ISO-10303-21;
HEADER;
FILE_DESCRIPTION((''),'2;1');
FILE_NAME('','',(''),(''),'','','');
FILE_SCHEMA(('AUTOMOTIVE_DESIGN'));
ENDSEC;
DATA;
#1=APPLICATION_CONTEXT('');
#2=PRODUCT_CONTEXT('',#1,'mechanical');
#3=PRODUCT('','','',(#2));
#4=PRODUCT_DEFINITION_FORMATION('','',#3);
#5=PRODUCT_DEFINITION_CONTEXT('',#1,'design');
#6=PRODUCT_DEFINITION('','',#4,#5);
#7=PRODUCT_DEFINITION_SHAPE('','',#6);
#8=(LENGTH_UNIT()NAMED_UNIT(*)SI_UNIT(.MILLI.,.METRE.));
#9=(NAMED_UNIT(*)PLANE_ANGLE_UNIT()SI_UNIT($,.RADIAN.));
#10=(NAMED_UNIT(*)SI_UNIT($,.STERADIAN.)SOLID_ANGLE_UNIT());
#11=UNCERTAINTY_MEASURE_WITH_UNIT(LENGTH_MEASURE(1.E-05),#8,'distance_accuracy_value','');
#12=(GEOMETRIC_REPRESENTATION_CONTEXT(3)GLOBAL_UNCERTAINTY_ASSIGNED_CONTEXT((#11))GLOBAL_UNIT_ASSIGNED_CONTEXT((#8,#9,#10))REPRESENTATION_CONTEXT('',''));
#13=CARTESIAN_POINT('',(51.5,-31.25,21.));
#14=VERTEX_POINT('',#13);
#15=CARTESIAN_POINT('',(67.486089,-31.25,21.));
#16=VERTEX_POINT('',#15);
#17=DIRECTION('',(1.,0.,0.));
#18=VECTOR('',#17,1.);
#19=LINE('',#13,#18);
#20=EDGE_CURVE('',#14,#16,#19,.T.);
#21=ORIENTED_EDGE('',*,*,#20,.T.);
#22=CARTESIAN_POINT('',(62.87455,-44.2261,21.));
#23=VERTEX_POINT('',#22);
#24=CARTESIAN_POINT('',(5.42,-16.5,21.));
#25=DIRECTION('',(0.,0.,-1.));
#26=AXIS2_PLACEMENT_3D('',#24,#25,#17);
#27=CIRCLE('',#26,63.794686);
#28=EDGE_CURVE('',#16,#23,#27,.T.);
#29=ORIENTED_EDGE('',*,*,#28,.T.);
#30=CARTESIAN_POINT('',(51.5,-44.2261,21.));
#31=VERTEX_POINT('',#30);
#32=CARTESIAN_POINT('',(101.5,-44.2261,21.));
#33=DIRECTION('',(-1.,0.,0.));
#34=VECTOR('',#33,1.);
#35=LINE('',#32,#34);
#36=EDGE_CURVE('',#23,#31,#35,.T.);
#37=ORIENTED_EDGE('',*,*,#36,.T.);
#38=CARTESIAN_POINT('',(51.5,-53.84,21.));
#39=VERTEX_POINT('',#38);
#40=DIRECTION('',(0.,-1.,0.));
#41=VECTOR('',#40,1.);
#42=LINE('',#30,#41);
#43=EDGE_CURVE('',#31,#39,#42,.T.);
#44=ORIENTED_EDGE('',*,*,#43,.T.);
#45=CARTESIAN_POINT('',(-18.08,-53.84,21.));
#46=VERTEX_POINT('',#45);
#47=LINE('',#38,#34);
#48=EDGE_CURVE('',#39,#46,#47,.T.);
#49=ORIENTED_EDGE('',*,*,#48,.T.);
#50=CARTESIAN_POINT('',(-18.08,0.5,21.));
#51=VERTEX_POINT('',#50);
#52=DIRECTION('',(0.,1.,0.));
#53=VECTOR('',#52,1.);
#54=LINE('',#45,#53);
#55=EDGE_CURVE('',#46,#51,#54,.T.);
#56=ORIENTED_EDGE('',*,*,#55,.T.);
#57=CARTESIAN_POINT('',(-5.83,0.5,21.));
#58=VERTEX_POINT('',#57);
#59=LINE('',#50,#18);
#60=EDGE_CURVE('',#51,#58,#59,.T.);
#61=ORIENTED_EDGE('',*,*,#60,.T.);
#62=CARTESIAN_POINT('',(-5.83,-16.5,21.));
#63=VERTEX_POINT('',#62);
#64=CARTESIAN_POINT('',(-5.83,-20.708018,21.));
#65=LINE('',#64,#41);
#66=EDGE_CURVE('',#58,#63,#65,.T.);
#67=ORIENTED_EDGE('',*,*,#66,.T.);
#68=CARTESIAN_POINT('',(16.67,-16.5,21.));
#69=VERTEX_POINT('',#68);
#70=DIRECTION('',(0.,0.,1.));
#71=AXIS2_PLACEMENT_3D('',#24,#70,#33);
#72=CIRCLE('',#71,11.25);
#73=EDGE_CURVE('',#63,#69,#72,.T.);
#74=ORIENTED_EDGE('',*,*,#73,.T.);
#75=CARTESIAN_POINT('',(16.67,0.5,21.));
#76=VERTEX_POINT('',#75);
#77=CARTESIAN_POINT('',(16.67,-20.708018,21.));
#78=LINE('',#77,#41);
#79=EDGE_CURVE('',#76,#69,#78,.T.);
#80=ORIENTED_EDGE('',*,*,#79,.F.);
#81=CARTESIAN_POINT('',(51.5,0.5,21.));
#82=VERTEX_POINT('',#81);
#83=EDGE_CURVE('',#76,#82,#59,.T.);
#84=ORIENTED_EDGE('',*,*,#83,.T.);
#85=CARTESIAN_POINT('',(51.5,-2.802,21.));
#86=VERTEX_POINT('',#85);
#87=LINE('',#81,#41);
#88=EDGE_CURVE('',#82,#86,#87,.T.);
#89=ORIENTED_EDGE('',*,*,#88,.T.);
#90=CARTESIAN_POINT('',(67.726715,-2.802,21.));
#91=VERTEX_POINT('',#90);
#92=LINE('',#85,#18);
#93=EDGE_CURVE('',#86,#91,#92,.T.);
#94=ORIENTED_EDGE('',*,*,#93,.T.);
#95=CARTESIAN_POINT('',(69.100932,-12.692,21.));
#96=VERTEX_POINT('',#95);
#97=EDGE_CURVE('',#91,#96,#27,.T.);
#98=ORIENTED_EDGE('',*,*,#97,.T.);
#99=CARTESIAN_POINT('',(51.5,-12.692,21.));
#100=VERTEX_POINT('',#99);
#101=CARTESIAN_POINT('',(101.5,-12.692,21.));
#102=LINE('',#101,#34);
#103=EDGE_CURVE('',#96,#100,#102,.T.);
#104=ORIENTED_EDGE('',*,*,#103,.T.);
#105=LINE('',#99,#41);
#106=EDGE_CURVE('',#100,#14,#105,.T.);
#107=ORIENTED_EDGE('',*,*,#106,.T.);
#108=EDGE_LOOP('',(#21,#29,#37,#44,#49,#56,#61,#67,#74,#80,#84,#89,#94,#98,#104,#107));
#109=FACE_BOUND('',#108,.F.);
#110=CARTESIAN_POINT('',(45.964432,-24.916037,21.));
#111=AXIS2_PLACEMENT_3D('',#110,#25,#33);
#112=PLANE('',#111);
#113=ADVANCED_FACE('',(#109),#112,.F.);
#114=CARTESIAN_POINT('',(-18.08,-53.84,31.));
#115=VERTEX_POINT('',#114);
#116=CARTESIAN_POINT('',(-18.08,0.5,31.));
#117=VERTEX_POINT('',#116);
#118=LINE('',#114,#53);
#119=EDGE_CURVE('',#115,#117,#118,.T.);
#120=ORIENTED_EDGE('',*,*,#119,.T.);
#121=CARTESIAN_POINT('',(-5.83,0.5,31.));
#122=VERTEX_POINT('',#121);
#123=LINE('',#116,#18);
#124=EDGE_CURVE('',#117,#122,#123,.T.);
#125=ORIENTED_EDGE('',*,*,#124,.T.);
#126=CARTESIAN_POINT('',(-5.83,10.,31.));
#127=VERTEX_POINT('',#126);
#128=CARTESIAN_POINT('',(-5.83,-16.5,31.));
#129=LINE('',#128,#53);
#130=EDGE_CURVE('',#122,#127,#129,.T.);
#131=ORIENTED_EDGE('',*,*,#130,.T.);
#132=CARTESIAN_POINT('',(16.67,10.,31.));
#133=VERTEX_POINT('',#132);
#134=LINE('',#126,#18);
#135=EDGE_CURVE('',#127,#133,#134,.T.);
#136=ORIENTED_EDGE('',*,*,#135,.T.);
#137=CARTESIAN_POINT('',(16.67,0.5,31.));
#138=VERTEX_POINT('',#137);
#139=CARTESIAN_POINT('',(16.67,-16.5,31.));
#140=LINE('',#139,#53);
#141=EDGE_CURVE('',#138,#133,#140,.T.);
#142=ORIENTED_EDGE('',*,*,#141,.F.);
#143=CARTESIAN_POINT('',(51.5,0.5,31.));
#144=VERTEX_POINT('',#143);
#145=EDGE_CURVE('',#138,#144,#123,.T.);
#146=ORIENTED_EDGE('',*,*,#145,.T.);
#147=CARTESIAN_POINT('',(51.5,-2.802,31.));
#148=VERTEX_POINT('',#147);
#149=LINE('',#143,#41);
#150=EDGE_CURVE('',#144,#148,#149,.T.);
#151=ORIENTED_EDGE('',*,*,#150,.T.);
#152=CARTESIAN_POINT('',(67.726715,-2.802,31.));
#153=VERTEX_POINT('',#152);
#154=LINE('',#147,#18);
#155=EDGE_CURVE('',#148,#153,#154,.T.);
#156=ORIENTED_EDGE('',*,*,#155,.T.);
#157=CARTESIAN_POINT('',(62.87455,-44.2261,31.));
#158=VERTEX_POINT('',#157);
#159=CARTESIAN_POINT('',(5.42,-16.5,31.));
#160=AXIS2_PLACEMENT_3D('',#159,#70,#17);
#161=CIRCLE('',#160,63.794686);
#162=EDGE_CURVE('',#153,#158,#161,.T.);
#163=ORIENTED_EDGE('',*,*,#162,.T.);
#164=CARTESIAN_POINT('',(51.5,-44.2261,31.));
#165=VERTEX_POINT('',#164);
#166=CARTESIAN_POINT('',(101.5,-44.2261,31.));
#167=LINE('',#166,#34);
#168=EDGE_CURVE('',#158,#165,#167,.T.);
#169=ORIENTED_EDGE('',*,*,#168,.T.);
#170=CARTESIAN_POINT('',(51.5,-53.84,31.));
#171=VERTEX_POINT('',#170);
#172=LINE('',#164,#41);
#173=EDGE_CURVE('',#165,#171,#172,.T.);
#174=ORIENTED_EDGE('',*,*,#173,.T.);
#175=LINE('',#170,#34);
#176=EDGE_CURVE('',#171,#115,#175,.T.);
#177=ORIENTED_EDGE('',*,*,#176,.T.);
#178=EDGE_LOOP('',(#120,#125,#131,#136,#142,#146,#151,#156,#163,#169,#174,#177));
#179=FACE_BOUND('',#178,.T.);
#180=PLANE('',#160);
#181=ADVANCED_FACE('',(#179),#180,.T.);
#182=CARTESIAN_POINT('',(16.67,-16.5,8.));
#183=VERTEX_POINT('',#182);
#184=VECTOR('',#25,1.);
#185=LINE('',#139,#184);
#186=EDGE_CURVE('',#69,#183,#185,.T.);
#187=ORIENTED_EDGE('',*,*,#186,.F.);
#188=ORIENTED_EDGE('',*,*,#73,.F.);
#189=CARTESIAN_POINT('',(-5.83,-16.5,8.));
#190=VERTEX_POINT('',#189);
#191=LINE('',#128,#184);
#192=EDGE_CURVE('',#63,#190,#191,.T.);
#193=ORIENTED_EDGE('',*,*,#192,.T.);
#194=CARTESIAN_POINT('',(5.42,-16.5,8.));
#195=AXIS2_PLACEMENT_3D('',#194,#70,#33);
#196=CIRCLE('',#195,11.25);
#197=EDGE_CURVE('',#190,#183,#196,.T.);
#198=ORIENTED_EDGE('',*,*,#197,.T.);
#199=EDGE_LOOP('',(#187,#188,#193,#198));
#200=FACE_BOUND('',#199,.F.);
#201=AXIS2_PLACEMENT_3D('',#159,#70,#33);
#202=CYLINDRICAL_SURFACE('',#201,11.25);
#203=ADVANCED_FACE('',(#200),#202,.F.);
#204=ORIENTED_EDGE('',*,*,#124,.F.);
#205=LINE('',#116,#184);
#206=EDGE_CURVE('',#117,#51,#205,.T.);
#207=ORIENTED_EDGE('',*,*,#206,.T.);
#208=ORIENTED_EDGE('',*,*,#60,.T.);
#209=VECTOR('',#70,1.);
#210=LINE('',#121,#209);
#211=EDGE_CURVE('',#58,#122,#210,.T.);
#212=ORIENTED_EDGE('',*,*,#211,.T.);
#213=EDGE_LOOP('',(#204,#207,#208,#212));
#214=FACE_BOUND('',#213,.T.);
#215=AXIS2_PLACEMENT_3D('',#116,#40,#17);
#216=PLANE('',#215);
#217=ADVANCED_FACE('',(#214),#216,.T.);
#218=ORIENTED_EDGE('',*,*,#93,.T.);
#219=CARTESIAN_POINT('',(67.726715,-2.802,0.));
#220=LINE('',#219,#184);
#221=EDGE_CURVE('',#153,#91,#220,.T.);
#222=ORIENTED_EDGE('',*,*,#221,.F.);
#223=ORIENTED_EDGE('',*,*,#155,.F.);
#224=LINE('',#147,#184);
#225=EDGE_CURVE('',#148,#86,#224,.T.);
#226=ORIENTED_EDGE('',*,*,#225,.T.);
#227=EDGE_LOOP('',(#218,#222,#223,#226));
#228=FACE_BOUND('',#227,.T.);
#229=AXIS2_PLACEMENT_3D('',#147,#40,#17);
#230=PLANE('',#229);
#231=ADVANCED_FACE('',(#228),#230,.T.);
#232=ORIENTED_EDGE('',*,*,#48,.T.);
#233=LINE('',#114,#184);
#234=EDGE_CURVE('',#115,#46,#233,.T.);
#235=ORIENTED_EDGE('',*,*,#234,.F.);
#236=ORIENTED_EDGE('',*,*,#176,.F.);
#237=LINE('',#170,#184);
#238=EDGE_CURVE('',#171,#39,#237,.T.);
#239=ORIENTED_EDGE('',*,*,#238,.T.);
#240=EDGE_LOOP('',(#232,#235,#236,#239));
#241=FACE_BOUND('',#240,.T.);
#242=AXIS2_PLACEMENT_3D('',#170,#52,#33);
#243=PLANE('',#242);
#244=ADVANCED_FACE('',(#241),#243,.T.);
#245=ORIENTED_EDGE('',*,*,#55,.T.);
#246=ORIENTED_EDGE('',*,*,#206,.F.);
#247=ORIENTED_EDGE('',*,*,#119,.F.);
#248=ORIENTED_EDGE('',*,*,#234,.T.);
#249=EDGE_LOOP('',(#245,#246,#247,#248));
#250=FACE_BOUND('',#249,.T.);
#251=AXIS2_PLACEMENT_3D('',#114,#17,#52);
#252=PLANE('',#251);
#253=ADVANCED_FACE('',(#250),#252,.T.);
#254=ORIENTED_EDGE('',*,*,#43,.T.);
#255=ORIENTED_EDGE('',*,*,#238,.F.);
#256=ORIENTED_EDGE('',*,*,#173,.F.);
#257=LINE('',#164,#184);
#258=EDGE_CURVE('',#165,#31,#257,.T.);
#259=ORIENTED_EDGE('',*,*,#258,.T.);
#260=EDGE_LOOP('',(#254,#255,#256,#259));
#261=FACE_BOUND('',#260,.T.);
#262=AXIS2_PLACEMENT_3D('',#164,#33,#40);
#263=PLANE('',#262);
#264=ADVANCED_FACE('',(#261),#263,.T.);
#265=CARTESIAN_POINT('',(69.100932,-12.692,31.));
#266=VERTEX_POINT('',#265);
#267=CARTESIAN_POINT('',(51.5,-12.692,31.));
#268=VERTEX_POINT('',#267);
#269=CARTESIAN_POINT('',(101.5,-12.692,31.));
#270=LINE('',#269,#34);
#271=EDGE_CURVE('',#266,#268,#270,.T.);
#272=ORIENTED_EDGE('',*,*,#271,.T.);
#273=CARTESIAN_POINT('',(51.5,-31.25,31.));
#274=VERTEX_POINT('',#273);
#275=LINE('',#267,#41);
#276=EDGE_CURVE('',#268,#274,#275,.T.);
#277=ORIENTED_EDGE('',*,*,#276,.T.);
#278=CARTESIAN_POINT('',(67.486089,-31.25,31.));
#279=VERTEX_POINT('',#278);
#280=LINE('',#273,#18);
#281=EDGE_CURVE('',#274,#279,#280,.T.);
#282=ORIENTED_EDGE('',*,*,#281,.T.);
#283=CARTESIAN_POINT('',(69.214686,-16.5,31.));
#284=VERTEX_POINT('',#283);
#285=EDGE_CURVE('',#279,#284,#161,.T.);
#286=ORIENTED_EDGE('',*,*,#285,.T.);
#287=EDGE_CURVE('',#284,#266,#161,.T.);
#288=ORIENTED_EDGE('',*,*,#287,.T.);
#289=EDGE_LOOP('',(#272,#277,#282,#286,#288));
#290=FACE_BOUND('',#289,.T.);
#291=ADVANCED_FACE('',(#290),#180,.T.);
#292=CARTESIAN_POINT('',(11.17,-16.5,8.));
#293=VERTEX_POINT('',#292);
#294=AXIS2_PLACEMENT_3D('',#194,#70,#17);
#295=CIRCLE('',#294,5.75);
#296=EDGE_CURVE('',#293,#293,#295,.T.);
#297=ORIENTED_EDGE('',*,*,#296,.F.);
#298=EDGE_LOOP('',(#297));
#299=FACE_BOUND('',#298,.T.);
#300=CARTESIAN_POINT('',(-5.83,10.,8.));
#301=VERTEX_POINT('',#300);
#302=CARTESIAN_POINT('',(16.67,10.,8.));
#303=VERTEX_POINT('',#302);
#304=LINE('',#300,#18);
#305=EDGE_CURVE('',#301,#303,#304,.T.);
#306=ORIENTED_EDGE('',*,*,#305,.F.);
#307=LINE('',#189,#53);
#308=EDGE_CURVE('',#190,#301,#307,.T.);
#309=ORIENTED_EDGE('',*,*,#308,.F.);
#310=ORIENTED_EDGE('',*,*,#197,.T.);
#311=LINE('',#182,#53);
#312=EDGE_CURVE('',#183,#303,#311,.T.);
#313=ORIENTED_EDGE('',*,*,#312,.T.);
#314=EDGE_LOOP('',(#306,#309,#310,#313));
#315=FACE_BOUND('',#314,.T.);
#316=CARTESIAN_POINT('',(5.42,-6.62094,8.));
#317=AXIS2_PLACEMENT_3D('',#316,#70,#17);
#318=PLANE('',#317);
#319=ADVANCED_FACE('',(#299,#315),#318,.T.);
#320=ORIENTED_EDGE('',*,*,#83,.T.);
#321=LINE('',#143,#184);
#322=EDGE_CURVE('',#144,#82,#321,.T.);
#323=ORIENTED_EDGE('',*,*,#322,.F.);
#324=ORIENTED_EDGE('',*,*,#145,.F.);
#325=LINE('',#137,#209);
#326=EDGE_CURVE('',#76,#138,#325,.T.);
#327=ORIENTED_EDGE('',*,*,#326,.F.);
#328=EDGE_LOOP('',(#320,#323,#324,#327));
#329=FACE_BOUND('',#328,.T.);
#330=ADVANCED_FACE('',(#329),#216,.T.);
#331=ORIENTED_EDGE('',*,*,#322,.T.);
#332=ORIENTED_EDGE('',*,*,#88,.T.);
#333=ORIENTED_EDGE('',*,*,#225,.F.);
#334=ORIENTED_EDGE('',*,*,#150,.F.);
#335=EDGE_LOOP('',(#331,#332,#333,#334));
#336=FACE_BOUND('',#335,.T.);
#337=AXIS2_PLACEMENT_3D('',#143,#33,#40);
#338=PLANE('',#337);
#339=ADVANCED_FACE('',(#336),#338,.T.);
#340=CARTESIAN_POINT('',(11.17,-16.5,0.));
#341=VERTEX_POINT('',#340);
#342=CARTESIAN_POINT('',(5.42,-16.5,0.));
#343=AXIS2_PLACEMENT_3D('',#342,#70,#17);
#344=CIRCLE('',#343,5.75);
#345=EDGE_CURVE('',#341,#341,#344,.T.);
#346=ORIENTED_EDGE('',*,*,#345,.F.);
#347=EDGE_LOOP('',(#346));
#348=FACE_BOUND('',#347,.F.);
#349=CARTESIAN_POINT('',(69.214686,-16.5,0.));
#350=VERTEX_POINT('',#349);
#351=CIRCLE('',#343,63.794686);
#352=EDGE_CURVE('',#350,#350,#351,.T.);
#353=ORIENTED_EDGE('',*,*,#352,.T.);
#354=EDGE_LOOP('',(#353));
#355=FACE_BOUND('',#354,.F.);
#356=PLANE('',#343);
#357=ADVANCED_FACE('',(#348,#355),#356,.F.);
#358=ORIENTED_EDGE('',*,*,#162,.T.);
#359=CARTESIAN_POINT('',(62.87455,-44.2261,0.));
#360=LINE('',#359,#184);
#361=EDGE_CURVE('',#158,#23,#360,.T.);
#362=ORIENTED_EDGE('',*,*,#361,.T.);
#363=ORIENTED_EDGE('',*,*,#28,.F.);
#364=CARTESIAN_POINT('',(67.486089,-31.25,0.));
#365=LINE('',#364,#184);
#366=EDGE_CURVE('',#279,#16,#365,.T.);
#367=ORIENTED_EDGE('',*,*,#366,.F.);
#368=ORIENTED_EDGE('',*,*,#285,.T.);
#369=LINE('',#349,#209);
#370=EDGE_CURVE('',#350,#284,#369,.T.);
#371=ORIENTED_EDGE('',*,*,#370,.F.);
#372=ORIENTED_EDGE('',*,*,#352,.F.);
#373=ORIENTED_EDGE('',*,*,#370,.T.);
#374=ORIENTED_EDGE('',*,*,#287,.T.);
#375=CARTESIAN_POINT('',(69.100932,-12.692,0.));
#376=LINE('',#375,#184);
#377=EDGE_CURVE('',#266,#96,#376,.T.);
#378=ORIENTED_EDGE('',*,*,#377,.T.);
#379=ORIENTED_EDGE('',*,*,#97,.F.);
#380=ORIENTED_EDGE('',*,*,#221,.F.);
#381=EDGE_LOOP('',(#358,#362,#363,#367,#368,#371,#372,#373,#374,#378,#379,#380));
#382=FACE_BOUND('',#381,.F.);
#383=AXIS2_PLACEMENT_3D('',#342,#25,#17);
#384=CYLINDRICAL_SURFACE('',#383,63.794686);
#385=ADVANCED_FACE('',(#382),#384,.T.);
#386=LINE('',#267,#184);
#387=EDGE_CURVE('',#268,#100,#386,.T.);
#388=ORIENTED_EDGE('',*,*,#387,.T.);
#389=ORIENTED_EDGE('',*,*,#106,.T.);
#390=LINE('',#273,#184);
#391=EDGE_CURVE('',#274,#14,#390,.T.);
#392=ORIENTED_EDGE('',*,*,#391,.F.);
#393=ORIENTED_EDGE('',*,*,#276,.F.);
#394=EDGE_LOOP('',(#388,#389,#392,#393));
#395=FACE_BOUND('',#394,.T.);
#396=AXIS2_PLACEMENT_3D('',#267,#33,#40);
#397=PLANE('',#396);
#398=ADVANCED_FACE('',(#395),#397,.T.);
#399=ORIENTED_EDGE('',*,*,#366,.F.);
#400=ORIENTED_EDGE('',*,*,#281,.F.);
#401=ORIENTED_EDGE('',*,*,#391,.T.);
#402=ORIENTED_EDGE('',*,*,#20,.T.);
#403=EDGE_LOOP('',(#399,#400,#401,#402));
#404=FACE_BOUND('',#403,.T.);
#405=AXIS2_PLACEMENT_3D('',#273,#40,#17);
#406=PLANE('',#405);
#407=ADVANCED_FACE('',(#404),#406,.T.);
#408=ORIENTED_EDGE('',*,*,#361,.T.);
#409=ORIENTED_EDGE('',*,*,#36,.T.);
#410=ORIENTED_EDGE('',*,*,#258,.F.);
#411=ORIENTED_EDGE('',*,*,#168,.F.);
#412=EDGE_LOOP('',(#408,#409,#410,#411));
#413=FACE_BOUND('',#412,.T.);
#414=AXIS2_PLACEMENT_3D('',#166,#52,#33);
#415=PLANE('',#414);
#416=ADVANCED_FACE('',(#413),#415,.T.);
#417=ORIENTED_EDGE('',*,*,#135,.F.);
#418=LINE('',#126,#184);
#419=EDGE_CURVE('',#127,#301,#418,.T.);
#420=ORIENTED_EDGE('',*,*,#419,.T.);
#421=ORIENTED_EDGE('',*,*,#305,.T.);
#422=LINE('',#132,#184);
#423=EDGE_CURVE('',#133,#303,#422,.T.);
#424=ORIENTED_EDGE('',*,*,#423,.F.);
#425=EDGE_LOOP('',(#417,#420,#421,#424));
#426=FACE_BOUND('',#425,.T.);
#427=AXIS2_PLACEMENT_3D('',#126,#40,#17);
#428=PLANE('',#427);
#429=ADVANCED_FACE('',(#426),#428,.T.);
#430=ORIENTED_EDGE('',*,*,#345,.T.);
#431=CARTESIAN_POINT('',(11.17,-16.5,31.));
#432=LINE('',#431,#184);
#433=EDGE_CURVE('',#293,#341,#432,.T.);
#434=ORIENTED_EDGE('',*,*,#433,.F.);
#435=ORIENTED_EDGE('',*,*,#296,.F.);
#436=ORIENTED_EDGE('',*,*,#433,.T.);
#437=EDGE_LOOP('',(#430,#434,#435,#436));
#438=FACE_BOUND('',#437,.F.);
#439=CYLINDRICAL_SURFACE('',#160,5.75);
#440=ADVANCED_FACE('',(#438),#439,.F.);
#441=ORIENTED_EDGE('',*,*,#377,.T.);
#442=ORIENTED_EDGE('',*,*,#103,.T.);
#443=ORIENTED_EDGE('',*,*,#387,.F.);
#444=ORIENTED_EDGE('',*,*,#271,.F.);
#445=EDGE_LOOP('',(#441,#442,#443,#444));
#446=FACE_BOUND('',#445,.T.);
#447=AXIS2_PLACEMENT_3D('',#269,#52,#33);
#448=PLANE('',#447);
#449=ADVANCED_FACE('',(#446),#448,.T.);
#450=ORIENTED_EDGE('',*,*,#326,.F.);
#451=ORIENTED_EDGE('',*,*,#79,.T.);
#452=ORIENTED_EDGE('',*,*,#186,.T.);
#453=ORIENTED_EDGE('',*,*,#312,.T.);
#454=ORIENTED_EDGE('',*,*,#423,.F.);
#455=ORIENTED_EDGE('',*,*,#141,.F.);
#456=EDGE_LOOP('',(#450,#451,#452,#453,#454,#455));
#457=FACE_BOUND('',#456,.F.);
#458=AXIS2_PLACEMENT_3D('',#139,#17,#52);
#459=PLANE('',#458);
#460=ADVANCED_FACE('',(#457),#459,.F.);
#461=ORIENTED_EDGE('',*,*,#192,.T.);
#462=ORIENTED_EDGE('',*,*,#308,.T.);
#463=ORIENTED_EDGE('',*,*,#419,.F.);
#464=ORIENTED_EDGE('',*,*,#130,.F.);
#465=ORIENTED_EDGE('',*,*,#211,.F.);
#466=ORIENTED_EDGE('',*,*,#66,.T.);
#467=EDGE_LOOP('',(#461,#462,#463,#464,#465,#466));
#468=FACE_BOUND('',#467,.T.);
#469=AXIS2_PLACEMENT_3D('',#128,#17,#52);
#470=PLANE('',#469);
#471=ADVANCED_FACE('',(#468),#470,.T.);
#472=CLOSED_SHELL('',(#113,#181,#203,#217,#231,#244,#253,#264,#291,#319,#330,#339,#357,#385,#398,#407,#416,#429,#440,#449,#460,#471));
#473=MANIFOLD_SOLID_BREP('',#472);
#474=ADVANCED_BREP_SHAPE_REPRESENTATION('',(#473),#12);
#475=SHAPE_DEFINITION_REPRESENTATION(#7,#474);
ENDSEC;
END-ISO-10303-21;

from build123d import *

# Parameters (mm, degrees)
SKETCH_R        = 63.794686
PAD_DEPTH       = 31
POCKET_DEPTH    = 10
POCKET001_DEPTH = 23
SKETCH003_R     = 5.75
POCKET002_DEPTH = 31.001


with BuildPart() as part:
    # Sketch → Pad (new body)
    with BuildSketch(Plane.XY):
        with Locations((5.42, -16.5)):
            Circle(SKETCH_R)
    extrude(amount=PAD_DEPTH)

    # Sketch001 (on Face6 of Pad) → Pocket (cut)
    with BuildSketch(Plane.XY.offset(31)):
        Polygon((-18.08, 0.5), (51.5, 0.5), (51.5, -2.802), (101.5, -2.802), (101.5, -12.692), (51.5, -12.692), (51.5, -31.25), (101.5, -31.25), (101.5, -44.2261), (51.5, -44.2261), (51.5, -53.84), (-18.08, -53.84), align=None)
    extrude(amount=-POCKET_DEPTH, mode=Mode.SUBTRACT)

    # Sketch002 (on Face7 of Pocket) → Pocket001 (cut)
    with BuildSketch(Plane.XY.offset(31)):
        with BuildLine():
            ThreePointArc((-5.83, -16.5), (5.42, -27.75), (16.67, -16.5))
            Line((16.67, -16.5), (16.67, 0))
            Line((16.67, 10), (16.67, 0))
            Line((-5.83, 10), (16.67, 10))
            Line((-5.83, 0), (-5.83, 10))
            Line((-5.83, -16.5), (-5.83, 0))
        make_face()
    extrude(amount=-POCKET001_DEPTH, mode=Mode.SUBTRACT)

    # Sketch003 (on Face7 of Pocket001) → Pocket002 (cut, through all)
    with BuildSketch(Plane.XY.offset(31)):
        with Locations((5.42, -16.5)):
            Circle(SKETCH003_R)
    extrude(amount=-POCKET002_DEPTH, mode=Mode.SUBTRACT)


solid = part.part
